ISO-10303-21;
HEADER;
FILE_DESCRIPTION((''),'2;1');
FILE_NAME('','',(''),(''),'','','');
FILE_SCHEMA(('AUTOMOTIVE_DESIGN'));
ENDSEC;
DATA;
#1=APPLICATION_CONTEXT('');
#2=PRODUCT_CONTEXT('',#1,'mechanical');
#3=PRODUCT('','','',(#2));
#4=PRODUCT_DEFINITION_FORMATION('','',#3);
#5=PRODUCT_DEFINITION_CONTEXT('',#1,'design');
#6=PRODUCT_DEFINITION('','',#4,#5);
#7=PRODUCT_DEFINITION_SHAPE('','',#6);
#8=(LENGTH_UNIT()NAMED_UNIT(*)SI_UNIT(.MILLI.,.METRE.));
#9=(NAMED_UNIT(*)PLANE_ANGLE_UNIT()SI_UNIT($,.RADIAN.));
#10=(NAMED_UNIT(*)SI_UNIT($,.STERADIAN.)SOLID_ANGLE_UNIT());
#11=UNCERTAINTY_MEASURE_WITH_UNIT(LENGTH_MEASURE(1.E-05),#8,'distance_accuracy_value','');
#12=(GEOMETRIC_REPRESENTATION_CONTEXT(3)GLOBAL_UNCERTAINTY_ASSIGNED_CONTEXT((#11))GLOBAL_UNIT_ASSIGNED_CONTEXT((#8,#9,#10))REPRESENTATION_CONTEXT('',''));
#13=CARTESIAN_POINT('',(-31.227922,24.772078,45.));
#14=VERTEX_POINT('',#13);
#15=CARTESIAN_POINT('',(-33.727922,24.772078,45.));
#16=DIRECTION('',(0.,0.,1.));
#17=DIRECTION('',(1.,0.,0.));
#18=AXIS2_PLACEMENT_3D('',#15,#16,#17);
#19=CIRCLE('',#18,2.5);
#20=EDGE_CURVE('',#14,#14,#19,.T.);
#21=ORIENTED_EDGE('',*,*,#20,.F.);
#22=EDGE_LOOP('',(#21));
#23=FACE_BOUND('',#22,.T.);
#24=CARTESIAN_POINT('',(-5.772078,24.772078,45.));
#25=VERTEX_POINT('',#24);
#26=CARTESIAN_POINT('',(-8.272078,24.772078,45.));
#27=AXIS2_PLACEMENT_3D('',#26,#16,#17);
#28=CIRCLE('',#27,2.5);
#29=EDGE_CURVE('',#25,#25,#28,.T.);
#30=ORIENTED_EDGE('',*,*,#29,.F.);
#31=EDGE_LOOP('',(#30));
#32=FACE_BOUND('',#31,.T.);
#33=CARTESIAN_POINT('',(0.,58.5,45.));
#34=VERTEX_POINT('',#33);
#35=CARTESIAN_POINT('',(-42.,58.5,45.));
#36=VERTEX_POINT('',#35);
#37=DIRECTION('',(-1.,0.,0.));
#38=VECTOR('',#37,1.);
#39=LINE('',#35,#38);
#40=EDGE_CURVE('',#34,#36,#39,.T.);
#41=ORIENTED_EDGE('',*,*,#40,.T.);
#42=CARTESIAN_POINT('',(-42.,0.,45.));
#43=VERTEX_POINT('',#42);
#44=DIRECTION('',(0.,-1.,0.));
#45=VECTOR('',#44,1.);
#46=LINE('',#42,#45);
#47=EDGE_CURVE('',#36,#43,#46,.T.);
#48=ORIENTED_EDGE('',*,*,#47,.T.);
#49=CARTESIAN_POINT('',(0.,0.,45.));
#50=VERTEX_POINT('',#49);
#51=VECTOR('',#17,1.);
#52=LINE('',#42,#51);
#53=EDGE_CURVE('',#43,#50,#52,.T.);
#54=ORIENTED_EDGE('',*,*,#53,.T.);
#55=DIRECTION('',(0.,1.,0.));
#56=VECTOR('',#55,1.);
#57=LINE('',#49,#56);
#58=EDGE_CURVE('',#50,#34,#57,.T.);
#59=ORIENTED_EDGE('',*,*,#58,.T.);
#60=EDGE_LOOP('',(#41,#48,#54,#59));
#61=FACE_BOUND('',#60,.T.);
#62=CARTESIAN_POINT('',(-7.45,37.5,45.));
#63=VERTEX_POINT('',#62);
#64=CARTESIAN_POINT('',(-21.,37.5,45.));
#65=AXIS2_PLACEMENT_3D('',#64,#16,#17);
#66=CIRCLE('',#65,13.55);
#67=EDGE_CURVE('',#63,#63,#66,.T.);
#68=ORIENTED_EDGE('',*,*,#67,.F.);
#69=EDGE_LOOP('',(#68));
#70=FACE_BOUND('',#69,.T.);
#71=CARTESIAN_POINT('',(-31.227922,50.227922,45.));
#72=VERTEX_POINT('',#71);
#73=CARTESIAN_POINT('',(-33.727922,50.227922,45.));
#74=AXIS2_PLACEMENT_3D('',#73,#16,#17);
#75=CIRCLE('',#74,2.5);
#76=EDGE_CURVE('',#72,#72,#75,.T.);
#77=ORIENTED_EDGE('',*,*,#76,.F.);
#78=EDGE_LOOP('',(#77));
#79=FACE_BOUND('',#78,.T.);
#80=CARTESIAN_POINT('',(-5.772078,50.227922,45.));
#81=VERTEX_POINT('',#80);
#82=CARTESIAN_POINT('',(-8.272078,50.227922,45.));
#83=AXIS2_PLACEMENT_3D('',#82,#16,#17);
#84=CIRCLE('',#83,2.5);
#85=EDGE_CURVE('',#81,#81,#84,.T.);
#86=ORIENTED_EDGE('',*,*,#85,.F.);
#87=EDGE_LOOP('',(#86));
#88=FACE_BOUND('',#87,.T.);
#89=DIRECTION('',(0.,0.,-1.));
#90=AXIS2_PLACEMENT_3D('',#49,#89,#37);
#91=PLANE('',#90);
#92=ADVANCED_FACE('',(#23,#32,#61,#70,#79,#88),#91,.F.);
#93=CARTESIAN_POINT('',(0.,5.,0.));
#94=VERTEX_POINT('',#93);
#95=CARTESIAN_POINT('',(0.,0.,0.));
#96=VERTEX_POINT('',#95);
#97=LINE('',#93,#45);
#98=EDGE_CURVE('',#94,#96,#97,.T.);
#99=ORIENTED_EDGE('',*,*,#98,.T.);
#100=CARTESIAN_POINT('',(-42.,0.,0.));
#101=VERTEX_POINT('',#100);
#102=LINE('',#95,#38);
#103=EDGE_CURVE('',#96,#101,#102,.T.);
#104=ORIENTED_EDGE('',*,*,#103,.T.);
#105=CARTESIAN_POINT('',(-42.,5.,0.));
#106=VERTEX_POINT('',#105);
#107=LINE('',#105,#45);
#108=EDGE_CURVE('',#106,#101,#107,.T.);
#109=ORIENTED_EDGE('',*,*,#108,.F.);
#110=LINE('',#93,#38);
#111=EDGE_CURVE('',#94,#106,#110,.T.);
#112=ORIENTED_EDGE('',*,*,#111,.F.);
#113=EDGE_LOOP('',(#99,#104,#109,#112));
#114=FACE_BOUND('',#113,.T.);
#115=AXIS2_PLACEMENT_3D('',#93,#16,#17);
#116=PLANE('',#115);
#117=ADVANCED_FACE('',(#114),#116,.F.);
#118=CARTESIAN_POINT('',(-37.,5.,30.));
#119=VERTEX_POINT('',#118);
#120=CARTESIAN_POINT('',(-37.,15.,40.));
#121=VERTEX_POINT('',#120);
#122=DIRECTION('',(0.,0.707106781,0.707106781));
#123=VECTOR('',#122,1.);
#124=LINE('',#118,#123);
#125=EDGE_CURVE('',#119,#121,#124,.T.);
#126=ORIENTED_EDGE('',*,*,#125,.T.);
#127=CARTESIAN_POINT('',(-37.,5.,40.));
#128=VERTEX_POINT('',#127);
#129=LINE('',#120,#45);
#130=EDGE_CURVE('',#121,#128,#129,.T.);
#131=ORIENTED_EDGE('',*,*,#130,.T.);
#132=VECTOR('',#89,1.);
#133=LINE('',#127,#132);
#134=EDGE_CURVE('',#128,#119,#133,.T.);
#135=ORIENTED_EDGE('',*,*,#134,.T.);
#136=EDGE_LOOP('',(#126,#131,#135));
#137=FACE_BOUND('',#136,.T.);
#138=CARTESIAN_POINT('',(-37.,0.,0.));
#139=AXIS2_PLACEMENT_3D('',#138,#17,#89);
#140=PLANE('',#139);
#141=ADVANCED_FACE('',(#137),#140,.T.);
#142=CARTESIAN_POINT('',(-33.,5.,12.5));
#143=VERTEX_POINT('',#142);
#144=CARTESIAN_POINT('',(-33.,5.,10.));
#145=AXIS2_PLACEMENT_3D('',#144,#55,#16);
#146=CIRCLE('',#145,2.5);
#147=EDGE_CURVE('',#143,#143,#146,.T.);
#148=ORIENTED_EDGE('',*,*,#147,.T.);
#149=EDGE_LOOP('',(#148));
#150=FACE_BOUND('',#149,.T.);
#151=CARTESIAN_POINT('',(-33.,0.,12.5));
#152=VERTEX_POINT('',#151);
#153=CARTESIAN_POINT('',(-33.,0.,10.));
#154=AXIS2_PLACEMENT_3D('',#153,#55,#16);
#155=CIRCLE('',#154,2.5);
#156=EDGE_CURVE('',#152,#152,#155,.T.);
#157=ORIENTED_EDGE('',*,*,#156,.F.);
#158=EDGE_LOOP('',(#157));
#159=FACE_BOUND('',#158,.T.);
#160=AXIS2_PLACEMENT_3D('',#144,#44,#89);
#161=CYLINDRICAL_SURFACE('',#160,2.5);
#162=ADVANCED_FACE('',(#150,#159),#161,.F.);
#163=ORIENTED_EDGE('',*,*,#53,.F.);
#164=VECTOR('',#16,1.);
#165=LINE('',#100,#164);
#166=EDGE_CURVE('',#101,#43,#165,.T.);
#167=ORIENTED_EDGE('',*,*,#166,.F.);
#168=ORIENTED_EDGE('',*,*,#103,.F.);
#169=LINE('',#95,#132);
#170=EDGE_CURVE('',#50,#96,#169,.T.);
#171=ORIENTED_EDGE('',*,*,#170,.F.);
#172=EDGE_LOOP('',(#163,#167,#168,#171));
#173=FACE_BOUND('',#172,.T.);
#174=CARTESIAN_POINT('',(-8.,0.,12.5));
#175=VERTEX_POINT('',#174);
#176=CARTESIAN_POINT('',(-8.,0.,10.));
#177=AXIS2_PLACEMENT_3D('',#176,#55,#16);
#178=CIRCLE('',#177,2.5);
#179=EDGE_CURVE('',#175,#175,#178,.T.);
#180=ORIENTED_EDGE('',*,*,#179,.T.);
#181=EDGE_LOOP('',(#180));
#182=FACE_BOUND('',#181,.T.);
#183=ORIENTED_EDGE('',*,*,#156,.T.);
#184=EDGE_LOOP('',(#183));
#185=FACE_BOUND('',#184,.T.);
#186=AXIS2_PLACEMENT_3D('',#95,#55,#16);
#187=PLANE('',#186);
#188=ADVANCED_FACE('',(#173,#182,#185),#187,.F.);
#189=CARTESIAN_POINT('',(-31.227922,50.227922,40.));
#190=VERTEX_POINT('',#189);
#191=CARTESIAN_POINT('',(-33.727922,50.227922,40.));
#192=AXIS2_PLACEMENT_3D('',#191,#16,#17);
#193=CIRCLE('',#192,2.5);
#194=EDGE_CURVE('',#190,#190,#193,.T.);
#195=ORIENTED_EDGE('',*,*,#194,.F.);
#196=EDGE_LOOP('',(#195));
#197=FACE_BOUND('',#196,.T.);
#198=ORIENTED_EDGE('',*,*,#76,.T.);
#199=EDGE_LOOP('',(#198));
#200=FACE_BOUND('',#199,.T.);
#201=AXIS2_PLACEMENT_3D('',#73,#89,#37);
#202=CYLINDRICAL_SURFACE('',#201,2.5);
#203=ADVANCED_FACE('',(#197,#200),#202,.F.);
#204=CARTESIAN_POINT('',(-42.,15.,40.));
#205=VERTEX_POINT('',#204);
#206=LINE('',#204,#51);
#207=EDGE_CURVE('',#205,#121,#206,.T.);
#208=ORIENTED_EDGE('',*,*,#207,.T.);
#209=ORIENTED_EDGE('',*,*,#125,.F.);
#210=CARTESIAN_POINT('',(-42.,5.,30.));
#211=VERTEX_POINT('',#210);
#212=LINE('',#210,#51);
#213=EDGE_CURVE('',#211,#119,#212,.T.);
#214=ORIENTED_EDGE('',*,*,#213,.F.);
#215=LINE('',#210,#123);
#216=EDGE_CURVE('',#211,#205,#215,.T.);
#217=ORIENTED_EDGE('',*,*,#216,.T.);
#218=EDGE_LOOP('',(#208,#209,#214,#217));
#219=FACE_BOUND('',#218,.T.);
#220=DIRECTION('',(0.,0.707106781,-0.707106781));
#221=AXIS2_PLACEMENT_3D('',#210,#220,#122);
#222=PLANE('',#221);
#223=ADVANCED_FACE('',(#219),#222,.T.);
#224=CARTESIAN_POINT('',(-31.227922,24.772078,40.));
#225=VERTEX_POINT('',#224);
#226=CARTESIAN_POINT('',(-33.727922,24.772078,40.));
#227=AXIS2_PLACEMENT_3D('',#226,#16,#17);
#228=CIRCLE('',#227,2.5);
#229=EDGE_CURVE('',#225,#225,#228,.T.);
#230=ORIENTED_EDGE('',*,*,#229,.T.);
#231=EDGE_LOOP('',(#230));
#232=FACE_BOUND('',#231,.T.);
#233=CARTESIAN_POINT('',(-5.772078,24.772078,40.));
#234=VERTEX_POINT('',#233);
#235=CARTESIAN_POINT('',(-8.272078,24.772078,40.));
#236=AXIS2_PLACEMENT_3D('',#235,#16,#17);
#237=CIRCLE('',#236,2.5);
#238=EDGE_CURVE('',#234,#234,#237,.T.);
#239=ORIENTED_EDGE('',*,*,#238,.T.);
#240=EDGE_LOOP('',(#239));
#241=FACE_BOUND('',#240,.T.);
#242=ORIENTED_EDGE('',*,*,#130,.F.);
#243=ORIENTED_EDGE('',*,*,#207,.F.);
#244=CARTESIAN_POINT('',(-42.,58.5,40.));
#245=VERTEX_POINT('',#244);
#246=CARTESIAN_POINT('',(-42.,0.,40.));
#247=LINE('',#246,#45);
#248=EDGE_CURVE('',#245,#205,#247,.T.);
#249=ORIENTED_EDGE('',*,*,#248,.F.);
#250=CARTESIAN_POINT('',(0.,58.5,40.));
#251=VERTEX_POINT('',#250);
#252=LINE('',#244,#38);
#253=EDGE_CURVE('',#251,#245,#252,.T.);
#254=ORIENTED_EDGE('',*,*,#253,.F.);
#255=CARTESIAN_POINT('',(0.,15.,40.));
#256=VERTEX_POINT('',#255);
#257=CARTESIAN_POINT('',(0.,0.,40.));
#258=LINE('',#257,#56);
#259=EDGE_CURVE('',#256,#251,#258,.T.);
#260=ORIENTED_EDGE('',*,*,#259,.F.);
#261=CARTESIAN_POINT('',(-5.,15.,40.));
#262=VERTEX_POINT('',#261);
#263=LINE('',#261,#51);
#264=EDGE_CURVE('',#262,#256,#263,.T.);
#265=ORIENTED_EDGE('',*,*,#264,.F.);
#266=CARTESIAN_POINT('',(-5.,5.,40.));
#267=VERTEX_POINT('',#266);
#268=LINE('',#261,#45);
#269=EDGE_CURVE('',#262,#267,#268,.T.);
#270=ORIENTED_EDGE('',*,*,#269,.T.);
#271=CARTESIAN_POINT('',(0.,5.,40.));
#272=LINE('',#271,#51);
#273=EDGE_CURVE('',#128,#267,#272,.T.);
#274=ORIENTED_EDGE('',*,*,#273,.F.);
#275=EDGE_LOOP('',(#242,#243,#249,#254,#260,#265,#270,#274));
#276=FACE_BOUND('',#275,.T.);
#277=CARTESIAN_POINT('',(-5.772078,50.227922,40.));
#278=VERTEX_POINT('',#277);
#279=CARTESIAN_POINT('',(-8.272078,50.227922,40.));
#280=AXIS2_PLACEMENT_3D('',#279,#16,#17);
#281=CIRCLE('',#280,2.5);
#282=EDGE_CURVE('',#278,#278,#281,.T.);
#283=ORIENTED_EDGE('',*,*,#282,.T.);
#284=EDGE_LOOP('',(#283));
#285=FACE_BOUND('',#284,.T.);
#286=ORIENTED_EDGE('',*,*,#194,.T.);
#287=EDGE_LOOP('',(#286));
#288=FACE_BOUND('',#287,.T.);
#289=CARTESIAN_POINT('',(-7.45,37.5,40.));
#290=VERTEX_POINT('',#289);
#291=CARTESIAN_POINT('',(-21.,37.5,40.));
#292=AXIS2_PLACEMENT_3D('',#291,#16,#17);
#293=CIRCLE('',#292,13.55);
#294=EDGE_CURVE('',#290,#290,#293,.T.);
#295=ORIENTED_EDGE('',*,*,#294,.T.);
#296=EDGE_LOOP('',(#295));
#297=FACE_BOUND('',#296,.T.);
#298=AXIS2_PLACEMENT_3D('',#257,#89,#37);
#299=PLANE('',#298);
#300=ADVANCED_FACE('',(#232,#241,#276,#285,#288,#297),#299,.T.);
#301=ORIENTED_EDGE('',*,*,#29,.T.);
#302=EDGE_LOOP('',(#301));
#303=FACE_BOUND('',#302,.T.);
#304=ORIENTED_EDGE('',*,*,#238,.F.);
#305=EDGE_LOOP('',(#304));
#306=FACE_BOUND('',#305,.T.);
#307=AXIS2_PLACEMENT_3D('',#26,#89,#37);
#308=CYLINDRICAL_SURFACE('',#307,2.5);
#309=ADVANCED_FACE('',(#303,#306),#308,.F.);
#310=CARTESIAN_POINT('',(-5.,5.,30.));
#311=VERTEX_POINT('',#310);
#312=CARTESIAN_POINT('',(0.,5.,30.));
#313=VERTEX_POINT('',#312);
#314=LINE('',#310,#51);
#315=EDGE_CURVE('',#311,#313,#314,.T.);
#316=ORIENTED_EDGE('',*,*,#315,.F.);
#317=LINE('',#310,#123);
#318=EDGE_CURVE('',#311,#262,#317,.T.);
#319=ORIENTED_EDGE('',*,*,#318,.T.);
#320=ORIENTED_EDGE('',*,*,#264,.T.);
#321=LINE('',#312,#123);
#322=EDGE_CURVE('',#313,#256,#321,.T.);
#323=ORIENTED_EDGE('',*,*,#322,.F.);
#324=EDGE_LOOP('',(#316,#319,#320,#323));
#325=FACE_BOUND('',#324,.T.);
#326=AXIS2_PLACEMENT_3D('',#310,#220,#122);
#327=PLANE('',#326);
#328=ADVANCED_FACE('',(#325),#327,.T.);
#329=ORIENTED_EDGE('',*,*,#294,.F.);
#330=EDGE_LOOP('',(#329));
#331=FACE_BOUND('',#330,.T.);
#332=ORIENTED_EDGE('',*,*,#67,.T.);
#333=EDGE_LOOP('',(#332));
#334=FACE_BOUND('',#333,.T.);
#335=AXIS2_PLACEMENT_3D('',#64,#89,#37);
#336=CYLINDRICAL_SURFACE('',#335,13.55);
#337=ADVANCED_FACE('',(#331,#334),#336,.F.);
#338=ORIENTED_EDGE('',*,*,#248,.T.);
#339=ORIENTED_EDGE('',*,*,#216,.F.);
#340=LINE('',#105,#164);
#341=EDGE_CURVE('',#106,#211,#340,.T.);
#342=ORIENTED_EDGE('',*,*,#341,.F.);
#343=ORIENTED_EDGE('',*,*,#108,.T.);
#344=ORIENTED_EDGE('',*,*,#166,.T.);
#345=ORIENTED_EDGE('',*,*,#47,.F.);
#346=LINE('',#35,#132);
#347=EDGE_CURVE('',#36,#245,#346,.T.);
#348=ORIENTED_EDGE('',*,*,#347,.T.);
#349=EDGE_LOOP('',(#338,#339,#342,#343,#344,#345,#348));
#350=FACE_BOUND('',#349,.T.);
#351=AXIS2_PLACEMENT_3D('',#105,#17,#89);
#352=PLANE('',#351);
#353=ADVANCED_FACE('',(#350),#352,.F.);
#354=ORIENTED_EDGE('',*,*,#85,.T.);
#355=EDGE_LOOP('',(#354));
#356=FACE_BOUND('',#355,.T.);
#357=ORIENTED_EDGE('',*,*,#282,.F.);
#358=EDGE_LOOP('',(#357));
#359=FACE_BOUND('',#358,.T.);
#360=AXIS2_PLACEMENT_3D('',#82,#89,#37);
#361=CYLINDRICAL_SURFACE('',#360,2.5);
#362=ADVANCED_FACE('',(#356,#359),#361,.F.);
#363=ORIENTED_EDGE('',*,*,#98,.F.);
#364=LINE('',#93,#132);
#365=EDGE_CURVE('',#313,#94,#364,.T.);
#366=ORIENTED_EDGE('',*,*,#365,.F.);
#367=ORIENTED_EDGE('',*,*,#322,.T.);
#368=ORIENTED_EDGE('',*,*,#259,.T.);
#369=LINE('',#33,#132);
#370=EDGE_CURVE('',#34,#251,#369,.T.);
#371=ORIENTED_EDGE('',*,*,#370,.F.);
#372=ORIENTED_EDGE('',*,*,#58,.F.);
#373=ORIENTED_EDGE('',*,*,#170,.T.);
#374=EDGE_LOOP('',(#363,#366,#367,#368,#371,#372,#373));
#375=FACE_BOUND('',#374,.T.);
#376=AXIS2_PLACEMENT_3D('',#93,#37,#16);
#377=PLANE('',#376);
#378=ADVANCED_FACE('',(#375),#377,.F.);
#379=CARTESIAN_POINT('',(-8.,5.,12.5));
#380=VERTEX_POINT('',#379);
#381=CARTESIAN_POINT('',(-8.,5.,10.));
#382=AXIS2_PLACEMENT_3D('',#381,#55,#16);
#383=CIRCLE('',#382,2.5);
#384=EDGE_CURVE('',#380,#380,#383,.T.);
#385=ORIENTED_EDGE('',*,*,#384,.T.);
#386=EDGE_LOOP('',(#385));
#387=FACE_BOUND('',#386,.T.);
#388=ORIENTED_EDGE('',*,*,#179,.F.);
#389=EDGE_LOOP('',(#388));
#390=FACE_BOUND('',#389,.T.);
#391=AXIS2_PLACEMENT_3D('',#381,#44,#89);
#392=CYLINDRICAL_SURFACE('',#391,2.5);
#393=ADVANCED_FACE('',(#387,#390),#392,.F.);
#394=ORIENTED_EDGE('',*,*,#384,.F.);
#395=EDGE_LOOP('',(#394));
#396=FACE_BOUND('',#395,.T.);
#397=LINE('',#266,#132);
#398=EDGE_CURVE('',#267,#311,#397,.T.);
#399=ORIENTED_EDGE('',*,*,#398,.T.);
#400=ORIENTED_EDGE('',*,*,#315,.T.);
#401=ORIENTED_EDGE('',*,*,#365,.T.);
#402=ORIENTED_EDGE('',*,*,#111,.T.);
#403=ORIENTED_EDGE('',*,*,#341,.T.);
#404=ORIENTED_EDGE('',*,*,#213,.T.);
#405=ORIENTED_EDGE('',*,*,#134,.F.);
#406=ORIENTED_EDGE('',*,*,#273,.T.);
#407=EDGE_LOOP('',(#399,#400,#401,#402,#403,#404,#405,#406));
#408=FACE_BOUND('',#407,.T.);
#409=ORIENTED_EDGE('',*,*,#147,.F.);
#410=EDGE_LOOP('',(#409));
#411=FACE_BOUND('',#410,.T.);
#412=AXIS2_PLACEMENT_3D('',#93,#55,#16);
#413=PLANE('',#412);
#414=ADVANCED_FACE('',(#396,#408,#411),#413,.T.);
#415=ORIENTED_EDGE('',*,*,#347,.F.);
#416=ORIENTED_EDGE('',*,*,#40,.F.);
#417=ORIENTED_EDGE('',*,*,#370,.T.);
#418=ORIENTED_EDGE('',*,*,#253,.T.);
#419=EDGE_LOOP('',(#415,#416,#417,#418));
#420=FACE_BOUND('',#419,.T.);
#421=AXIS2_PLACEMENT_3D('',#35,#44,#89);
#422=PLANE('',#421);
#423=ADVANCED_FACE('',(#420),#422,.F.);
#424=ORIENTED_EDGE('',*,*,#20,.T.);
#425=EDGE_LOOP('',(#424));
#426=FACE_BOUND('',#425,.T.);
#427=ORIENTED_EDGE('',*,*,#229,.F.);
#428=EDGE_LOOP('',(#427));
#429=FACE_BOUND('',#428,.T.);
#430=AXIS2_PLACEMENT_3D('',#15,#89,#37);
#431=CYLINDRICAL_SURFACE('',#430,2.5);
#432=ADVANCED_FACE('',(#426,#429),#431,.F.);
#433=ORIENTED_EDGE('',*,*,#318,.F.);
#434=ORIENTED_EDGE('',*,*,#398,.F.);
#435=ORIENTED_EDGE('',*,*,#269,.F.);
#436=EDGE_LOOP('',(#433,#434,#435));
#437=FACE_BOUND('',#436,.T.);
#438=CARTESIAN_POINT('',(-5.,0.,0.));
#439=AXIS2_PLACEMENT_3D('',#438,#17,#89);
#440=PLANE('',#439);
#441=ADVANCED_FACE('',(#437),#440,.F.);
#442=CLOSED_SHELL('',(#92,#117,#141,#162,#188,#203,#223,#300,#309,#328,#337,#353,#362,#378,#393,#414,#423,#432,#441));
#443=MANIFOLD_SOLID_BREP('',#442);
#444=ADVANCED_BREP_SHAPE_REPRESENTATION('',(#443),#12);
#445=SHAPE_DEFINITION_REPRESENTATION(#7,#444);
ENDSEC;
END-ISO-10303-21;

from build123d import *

# Parameters (mm, degrees)
SKETCH_1_W             = 40
SKETCH_1_H             = 42
SKETCH_1_R             = 2.5
EXTRUDE_1_DEPTH        = 5
SKETCH_2_W             = 42
SKETCH_2_H             = 58.5
SKETCH_2_R             = 13.55
SKETCH_2_R_2           = 2.5
EXTRUDE_2_DEPTH        = 5
EXTRUDE_3_DEPTH        = 5
PATTERN_LINEAR_1_COUNT = 2
PATTERN_LINEAR_1_PITCH = 37


with BuildPart() as part:
    # 草图1 → 凸台-拉伸1 (new body)
    with BuildSketch(Plane(origin=(0, 0, 0), x_dir=(0, 0, -1), z_dir=(0, 1, 0))):
        with Locations((-20, 21)):
            Rectangle(SKETCH_1_W, SKETCH_1_H)
        with Locations(Location((-10, 33, 0), (0, 0, 180))):
            Circle(SKETCH_1_R, mode=Mode.SUBTRACT)
        with Locations(Location((-10, 8, 0), (0, 0, 180))):
            Circle(SKETCH_1_R, mode=Mode.SUBTRACT)
    extrude(amount=EXTRUDE_1_DEPTH)

    # 草图2 → 凸台-拉伸2 (add)
    with BuildSketch(Plane.XY.offset(40)):
        with Locations((-21, 29.25)):
            Rectangle(SKETCH_2_W, SKETCH_2_H)
        with Locations((-21, 37.5)):
            Circle(SKETCH_2_R, mode=Mode.SUBTRACT)
        with Locations((-33.727922061, 24.772077939)):
            Circle(SKETCH_2_R_2, mode=Mode.SUBTRACT)
        with Locations((-8.272077939, 50.227922061)):
            Circle(SKETCH_2_R_2, mode=Mode.SUBTRACT)
        with Locations((-33.727922061, 50.227922061)):
            Circle(SKETCH_2_R_2, mode=Mode.SUBTRACT)
        with Locations((-8.272077939, 24.772077939)):
            Circle(SKETCH_2_R_2, mode=Mode.SUBTRACT)
    extrude(amount=EXTRUDE_2_DEPTH)

    # 草图3 → 凸台-拉伸3 (add)
    with BuildSketch(Plane(origin=(0, 0, 0), x_dir=(0, 0, -1), z_dir=(1, 0, 0))):
        Polygon((-40, 15), (-40, 5), (-30, 5), align=None)
    extrude_3 = extrude(amount=-EXTRUDE_3_DEPTH)

    # 阵列(线性)1: 凸台-拉伸3 ×2
    with Locations(*[(-i * PATTERN_LINEAR_1_PITCH, 0, 0) for i in range(1, PATTERN_LINEAR_1_COUNT)]):
        add(extrude_3)


solid = part.part
